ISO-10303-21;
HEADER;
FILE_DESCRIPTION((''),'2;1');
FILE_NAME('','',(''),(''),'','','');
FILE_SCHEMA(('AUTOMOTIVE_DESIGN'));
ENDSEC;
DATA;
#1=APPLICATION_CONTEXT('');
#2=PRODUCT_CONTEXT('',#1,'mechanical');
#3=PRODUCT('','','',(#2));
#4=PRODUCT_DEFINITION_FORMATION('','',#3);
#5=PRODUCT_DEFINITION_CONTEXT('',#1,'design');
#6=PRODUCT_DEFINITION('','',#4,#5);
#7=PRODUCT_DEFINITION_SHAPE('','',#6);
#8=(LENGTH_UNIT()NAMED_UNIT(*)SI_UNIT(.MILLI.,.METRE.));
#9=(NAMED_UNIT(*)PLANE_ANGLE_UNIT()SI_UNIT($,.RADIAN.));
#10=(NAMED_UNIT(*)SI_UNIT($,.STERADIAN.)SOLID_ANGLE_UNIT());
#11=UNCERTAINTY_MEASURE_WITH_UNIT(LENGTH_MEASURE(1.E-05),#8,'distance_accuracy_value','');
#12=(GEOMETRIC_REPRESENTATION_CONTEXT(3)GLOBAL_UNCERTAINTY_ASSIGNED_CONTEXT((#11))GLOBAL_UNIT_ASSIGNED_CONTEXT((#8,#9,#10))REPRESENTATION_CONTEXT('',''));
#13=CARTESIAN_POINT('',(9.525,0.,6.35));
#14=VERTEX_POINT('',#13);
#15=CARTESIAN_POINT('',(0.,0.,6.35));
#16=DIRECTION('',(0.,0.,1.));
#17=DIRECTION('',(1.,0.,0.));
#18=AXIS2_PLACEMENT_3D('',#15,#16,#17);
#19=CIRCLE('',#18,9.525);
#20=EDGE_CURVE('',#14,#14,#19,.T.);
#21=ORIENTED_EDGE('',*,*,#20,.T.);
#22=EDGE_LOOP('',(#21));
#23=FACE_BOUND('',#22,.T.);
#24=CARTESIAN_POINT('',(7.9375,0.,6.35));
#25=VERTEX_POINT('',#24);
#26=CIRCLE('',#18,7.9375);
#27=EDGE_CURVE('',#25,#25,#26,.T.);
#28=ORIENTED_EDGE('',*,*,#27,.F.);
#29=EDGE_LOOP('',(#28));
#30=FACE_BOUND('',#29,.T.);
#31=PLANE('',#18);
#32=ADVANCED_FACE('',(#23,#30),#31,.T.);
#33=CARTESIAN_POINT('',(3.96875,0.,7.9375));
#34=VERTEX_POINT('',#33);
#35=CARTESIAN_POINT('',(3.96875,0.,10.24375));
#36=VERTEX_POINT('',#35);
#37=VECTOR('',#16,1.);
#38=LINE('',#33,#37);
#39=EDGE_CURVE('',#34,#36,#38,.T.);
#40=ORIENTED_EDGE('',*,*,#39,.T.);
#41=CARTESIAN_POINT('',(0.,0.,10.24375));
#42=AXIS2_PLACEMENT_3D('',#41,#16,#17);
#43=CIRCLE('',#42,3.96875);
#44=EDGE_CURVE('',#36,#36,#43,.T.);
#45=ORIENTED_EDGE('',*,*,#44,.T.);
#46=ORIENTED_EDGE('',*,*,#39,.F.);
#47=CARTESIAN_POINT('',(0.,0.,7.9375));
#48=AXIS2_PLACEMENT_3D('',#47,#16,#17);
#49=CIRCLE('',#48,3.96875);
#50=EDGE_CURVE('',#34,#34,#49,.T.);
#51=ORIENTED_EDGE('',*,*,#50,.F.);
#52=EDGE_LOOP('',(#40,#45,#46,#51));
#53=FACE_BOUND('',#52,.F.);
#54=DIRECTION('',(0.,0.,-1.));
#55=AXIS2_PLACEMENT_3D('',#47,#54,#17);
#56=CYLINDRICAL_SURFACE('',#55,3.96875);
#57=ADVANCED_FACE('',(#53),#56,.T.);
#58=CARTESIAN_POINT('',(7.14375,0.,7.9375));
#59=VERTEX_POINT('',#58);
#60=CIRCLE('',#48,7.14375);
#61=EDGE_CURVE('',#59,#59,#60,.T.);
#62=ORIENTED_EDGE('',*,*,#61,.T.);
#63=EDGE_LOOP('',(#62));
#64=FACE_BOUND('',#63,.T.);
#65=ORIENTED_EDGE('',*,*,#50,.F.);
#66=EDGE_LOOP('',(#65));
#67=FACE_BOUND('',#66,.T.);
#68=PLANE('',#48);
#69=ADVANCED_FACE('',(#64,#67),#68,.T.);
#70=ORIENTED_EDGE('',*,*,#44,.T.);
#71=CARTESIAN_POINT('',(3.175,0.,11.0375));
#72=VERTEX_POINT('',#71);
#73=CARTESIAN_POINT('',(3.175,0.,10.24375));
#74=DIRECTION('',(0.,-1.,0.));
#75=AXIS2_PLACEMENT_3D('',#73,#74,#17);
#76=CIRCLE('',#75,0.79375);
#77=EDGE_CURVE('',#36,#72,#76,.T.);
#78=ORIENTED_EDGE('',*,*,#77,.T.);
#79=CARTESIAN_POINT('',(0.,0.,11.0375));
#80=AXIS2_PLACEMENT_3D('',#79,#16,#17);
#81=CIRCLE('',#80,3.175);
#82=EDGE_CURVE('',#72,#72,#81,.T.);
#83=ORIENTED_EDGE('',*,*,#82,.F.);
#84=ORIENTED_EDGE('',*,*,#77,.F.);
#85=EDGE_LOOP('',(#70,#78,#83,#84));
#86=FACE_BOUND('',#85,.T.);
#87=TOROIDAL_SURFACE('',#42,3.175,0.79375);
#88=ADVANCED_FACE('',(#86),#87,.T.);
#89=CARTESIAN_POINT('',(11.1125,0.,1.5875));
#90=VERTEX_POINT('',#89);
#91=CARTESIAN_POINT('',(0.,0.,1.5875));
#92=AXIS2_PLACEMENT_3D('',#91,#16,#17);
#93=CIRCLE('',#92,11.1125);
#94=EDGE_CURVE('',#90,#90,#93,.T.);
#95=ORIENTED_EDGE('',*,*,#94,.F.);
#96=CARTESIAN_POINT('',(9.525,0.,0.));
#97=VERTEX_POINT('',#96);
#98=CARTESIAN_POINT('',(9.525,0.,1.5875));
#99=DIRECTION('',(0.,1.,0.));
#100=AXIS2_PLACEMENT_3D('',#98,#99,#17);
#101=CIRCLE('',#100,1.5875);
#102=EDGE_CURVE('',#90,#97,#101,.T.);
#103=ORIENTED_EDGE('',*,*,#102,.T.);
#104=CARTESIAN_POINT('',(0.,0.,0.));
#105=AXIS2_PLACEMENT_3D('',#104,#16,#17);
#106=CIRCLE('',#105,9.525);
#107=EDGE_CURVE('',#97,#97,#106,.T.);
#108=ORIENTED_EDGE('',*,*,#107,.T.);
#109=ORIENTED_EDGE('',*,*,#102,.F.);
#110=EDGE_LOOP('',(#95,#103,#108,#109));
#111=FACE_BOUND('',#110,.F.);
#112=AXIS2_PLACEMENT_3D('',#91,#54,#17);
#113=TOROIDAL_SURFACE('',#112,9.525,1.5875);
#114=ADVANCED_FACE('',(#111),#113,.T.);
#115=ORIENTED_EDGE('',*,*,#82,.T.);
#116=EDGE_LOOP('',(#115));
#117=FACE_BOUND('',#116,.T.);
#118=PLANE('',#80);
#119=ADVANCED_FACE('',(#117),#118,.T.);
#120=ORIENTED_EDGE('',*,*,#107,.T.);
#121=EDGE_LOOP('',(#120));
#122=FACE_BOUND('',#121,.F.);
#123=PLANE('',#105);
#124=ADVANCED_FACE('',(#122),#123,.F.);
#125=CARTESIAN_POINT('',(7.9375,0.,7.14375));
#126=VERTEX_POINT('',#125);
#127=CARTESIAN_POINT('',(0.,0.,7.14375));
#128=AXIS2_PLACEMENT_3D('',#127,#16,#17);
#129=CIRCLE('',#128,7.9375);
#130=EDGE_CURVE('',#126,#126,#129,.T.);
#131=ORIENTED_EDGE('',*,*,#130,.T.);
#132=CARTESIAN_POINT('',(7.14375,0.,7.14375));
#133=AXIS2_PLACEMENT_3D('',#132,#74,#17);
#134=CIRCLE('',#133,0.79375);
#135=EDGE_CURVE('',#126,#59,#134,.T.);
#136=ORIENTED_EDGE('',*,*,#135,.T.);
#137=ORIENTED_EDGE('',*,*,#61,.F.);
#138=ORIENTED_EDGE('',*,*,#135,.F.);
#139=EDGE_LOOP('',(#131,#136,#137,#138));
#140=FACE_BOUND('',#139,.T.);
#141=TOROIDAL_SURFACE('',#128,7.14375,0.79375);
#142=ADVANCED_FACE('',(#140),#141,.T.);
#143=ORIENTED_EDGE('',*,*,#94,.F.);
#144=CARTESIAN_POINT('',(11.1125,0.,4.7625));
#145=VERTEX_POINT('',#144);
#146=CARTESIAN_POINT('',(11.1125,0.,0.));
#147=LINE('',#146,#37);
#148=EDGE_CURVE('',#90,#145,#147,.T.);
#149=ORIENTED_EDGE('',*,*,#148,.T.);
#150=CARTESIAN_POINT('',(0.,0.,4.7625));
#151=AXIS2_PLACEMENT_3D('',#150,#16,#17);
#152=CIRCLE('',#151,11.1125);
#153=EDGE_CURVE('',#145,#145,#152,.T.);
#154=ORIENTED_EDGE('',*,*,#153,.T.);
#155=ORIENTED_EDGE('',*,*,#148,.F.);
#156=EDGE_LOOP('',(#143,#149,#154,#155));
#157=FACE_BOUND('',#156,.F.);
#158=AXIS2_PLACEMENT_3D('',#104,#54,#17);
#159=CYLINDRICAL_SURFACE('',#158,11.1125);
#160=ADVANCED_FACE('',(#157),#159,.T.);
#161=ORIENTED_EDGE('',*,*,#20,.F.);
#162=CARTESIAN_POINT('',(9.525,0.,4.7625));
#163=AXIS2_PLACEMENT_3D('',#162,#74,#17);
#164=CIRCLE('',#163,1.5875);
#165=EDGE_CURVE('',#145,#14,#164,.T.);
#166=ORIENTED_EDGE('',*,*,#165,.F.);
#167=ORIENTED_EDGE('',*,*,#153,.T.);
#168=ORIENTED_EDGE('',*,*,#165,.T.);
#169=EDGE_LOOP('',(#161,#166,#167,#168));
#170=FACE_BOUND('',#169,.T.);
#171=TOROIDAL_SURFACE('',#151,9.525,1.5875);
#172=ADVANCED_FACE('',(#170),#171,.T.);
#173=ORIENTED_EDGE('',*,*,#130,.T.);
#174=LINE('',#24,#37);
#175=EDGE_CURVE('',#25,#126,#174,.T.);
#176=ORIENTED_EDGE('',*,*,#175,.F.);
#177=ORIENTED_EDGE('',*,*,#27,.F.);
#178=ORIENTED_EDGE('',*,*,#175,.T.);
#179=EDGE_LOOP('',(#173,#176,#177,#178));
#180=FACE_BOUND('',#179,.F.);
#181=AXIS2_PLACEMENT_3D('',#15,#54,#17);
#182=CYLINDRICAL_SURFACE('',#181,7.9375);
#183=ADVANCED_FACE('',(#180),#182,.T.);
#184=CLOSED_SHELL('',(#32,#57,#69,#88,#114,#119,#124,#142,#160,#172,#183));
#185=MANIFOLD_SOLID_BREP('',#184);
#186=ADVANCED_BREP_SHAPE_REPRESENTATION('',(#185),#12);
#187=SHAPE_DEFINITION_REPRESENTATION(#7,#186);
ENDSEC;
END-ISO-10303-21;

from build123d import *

# Parameters (mm, degrees)
CYLINDER001_R     = 11.1125
CYLINDER001_DEPTH = 6.35
FILLET006_R       = 1.5875
FILLET007_R       = 1.5875
SKETCH003_R       = 7.9375
PAD003_DEPTH      = 1.5875
FILLET008_R       = 0.79375
SKETCH004_R       = 3.96875
PAD004_DEPTH      = 3.1
FILLET009_R       = 0.79375


with BuildPart() as part:
    # Cylinder001 → Cylinder001 (new body)
    with BuildSketch(Plane.XY):
        Circle(CYLINDER001_R)
    extrude(amount=CYLINDER001_DEPTH)

    # Fillet006
    fillet006_edges = [part.edges().sort_by_distance(p)[0] for p in [
        (-11.1125, 0, 6.35),
    ]]
    fillet(fillet006_edges, radius=FILLET006_R)

    # Fillet007
    fillet007_edges = [part.edges().sort_by_distance(p)[0] for p in [
        (-11.1125, 0, 0),
    ]]
    fillet(fillet007_edges, radius=FILLET007_R)

    # Sketch003 → Pad003 (new body)
    with BuildSketch(Plane.XY.offset(6.35)):
        Circle(SKETCH003_R)
    extrude(amount=PAD003_DEPTH)

    # Fillet008
    fillet008_edges = [part.edges().sort_by_distance(p)[0] for p in [
        (-7.9375, 0, 7.9375),
    ]]
    fillet(fillet008_edges, radius=FILLET008_R)

    # Sketch004 → Pad004 (new body)
    with BuildSketch(Plane.XY.offset(7.9375)):
        Circle(SKETCH004_R)
    extrude(amount=PAD004_DEPTH)

    # Fillet009
    fillet009_edges = [part.edges().sort_by_distance(p)[0] for p in [
        (-3.96875, 0, 11.0375),
    ]]
    fillet(fillet009_edges, radius=FILLET009_R)


solid = part.part
